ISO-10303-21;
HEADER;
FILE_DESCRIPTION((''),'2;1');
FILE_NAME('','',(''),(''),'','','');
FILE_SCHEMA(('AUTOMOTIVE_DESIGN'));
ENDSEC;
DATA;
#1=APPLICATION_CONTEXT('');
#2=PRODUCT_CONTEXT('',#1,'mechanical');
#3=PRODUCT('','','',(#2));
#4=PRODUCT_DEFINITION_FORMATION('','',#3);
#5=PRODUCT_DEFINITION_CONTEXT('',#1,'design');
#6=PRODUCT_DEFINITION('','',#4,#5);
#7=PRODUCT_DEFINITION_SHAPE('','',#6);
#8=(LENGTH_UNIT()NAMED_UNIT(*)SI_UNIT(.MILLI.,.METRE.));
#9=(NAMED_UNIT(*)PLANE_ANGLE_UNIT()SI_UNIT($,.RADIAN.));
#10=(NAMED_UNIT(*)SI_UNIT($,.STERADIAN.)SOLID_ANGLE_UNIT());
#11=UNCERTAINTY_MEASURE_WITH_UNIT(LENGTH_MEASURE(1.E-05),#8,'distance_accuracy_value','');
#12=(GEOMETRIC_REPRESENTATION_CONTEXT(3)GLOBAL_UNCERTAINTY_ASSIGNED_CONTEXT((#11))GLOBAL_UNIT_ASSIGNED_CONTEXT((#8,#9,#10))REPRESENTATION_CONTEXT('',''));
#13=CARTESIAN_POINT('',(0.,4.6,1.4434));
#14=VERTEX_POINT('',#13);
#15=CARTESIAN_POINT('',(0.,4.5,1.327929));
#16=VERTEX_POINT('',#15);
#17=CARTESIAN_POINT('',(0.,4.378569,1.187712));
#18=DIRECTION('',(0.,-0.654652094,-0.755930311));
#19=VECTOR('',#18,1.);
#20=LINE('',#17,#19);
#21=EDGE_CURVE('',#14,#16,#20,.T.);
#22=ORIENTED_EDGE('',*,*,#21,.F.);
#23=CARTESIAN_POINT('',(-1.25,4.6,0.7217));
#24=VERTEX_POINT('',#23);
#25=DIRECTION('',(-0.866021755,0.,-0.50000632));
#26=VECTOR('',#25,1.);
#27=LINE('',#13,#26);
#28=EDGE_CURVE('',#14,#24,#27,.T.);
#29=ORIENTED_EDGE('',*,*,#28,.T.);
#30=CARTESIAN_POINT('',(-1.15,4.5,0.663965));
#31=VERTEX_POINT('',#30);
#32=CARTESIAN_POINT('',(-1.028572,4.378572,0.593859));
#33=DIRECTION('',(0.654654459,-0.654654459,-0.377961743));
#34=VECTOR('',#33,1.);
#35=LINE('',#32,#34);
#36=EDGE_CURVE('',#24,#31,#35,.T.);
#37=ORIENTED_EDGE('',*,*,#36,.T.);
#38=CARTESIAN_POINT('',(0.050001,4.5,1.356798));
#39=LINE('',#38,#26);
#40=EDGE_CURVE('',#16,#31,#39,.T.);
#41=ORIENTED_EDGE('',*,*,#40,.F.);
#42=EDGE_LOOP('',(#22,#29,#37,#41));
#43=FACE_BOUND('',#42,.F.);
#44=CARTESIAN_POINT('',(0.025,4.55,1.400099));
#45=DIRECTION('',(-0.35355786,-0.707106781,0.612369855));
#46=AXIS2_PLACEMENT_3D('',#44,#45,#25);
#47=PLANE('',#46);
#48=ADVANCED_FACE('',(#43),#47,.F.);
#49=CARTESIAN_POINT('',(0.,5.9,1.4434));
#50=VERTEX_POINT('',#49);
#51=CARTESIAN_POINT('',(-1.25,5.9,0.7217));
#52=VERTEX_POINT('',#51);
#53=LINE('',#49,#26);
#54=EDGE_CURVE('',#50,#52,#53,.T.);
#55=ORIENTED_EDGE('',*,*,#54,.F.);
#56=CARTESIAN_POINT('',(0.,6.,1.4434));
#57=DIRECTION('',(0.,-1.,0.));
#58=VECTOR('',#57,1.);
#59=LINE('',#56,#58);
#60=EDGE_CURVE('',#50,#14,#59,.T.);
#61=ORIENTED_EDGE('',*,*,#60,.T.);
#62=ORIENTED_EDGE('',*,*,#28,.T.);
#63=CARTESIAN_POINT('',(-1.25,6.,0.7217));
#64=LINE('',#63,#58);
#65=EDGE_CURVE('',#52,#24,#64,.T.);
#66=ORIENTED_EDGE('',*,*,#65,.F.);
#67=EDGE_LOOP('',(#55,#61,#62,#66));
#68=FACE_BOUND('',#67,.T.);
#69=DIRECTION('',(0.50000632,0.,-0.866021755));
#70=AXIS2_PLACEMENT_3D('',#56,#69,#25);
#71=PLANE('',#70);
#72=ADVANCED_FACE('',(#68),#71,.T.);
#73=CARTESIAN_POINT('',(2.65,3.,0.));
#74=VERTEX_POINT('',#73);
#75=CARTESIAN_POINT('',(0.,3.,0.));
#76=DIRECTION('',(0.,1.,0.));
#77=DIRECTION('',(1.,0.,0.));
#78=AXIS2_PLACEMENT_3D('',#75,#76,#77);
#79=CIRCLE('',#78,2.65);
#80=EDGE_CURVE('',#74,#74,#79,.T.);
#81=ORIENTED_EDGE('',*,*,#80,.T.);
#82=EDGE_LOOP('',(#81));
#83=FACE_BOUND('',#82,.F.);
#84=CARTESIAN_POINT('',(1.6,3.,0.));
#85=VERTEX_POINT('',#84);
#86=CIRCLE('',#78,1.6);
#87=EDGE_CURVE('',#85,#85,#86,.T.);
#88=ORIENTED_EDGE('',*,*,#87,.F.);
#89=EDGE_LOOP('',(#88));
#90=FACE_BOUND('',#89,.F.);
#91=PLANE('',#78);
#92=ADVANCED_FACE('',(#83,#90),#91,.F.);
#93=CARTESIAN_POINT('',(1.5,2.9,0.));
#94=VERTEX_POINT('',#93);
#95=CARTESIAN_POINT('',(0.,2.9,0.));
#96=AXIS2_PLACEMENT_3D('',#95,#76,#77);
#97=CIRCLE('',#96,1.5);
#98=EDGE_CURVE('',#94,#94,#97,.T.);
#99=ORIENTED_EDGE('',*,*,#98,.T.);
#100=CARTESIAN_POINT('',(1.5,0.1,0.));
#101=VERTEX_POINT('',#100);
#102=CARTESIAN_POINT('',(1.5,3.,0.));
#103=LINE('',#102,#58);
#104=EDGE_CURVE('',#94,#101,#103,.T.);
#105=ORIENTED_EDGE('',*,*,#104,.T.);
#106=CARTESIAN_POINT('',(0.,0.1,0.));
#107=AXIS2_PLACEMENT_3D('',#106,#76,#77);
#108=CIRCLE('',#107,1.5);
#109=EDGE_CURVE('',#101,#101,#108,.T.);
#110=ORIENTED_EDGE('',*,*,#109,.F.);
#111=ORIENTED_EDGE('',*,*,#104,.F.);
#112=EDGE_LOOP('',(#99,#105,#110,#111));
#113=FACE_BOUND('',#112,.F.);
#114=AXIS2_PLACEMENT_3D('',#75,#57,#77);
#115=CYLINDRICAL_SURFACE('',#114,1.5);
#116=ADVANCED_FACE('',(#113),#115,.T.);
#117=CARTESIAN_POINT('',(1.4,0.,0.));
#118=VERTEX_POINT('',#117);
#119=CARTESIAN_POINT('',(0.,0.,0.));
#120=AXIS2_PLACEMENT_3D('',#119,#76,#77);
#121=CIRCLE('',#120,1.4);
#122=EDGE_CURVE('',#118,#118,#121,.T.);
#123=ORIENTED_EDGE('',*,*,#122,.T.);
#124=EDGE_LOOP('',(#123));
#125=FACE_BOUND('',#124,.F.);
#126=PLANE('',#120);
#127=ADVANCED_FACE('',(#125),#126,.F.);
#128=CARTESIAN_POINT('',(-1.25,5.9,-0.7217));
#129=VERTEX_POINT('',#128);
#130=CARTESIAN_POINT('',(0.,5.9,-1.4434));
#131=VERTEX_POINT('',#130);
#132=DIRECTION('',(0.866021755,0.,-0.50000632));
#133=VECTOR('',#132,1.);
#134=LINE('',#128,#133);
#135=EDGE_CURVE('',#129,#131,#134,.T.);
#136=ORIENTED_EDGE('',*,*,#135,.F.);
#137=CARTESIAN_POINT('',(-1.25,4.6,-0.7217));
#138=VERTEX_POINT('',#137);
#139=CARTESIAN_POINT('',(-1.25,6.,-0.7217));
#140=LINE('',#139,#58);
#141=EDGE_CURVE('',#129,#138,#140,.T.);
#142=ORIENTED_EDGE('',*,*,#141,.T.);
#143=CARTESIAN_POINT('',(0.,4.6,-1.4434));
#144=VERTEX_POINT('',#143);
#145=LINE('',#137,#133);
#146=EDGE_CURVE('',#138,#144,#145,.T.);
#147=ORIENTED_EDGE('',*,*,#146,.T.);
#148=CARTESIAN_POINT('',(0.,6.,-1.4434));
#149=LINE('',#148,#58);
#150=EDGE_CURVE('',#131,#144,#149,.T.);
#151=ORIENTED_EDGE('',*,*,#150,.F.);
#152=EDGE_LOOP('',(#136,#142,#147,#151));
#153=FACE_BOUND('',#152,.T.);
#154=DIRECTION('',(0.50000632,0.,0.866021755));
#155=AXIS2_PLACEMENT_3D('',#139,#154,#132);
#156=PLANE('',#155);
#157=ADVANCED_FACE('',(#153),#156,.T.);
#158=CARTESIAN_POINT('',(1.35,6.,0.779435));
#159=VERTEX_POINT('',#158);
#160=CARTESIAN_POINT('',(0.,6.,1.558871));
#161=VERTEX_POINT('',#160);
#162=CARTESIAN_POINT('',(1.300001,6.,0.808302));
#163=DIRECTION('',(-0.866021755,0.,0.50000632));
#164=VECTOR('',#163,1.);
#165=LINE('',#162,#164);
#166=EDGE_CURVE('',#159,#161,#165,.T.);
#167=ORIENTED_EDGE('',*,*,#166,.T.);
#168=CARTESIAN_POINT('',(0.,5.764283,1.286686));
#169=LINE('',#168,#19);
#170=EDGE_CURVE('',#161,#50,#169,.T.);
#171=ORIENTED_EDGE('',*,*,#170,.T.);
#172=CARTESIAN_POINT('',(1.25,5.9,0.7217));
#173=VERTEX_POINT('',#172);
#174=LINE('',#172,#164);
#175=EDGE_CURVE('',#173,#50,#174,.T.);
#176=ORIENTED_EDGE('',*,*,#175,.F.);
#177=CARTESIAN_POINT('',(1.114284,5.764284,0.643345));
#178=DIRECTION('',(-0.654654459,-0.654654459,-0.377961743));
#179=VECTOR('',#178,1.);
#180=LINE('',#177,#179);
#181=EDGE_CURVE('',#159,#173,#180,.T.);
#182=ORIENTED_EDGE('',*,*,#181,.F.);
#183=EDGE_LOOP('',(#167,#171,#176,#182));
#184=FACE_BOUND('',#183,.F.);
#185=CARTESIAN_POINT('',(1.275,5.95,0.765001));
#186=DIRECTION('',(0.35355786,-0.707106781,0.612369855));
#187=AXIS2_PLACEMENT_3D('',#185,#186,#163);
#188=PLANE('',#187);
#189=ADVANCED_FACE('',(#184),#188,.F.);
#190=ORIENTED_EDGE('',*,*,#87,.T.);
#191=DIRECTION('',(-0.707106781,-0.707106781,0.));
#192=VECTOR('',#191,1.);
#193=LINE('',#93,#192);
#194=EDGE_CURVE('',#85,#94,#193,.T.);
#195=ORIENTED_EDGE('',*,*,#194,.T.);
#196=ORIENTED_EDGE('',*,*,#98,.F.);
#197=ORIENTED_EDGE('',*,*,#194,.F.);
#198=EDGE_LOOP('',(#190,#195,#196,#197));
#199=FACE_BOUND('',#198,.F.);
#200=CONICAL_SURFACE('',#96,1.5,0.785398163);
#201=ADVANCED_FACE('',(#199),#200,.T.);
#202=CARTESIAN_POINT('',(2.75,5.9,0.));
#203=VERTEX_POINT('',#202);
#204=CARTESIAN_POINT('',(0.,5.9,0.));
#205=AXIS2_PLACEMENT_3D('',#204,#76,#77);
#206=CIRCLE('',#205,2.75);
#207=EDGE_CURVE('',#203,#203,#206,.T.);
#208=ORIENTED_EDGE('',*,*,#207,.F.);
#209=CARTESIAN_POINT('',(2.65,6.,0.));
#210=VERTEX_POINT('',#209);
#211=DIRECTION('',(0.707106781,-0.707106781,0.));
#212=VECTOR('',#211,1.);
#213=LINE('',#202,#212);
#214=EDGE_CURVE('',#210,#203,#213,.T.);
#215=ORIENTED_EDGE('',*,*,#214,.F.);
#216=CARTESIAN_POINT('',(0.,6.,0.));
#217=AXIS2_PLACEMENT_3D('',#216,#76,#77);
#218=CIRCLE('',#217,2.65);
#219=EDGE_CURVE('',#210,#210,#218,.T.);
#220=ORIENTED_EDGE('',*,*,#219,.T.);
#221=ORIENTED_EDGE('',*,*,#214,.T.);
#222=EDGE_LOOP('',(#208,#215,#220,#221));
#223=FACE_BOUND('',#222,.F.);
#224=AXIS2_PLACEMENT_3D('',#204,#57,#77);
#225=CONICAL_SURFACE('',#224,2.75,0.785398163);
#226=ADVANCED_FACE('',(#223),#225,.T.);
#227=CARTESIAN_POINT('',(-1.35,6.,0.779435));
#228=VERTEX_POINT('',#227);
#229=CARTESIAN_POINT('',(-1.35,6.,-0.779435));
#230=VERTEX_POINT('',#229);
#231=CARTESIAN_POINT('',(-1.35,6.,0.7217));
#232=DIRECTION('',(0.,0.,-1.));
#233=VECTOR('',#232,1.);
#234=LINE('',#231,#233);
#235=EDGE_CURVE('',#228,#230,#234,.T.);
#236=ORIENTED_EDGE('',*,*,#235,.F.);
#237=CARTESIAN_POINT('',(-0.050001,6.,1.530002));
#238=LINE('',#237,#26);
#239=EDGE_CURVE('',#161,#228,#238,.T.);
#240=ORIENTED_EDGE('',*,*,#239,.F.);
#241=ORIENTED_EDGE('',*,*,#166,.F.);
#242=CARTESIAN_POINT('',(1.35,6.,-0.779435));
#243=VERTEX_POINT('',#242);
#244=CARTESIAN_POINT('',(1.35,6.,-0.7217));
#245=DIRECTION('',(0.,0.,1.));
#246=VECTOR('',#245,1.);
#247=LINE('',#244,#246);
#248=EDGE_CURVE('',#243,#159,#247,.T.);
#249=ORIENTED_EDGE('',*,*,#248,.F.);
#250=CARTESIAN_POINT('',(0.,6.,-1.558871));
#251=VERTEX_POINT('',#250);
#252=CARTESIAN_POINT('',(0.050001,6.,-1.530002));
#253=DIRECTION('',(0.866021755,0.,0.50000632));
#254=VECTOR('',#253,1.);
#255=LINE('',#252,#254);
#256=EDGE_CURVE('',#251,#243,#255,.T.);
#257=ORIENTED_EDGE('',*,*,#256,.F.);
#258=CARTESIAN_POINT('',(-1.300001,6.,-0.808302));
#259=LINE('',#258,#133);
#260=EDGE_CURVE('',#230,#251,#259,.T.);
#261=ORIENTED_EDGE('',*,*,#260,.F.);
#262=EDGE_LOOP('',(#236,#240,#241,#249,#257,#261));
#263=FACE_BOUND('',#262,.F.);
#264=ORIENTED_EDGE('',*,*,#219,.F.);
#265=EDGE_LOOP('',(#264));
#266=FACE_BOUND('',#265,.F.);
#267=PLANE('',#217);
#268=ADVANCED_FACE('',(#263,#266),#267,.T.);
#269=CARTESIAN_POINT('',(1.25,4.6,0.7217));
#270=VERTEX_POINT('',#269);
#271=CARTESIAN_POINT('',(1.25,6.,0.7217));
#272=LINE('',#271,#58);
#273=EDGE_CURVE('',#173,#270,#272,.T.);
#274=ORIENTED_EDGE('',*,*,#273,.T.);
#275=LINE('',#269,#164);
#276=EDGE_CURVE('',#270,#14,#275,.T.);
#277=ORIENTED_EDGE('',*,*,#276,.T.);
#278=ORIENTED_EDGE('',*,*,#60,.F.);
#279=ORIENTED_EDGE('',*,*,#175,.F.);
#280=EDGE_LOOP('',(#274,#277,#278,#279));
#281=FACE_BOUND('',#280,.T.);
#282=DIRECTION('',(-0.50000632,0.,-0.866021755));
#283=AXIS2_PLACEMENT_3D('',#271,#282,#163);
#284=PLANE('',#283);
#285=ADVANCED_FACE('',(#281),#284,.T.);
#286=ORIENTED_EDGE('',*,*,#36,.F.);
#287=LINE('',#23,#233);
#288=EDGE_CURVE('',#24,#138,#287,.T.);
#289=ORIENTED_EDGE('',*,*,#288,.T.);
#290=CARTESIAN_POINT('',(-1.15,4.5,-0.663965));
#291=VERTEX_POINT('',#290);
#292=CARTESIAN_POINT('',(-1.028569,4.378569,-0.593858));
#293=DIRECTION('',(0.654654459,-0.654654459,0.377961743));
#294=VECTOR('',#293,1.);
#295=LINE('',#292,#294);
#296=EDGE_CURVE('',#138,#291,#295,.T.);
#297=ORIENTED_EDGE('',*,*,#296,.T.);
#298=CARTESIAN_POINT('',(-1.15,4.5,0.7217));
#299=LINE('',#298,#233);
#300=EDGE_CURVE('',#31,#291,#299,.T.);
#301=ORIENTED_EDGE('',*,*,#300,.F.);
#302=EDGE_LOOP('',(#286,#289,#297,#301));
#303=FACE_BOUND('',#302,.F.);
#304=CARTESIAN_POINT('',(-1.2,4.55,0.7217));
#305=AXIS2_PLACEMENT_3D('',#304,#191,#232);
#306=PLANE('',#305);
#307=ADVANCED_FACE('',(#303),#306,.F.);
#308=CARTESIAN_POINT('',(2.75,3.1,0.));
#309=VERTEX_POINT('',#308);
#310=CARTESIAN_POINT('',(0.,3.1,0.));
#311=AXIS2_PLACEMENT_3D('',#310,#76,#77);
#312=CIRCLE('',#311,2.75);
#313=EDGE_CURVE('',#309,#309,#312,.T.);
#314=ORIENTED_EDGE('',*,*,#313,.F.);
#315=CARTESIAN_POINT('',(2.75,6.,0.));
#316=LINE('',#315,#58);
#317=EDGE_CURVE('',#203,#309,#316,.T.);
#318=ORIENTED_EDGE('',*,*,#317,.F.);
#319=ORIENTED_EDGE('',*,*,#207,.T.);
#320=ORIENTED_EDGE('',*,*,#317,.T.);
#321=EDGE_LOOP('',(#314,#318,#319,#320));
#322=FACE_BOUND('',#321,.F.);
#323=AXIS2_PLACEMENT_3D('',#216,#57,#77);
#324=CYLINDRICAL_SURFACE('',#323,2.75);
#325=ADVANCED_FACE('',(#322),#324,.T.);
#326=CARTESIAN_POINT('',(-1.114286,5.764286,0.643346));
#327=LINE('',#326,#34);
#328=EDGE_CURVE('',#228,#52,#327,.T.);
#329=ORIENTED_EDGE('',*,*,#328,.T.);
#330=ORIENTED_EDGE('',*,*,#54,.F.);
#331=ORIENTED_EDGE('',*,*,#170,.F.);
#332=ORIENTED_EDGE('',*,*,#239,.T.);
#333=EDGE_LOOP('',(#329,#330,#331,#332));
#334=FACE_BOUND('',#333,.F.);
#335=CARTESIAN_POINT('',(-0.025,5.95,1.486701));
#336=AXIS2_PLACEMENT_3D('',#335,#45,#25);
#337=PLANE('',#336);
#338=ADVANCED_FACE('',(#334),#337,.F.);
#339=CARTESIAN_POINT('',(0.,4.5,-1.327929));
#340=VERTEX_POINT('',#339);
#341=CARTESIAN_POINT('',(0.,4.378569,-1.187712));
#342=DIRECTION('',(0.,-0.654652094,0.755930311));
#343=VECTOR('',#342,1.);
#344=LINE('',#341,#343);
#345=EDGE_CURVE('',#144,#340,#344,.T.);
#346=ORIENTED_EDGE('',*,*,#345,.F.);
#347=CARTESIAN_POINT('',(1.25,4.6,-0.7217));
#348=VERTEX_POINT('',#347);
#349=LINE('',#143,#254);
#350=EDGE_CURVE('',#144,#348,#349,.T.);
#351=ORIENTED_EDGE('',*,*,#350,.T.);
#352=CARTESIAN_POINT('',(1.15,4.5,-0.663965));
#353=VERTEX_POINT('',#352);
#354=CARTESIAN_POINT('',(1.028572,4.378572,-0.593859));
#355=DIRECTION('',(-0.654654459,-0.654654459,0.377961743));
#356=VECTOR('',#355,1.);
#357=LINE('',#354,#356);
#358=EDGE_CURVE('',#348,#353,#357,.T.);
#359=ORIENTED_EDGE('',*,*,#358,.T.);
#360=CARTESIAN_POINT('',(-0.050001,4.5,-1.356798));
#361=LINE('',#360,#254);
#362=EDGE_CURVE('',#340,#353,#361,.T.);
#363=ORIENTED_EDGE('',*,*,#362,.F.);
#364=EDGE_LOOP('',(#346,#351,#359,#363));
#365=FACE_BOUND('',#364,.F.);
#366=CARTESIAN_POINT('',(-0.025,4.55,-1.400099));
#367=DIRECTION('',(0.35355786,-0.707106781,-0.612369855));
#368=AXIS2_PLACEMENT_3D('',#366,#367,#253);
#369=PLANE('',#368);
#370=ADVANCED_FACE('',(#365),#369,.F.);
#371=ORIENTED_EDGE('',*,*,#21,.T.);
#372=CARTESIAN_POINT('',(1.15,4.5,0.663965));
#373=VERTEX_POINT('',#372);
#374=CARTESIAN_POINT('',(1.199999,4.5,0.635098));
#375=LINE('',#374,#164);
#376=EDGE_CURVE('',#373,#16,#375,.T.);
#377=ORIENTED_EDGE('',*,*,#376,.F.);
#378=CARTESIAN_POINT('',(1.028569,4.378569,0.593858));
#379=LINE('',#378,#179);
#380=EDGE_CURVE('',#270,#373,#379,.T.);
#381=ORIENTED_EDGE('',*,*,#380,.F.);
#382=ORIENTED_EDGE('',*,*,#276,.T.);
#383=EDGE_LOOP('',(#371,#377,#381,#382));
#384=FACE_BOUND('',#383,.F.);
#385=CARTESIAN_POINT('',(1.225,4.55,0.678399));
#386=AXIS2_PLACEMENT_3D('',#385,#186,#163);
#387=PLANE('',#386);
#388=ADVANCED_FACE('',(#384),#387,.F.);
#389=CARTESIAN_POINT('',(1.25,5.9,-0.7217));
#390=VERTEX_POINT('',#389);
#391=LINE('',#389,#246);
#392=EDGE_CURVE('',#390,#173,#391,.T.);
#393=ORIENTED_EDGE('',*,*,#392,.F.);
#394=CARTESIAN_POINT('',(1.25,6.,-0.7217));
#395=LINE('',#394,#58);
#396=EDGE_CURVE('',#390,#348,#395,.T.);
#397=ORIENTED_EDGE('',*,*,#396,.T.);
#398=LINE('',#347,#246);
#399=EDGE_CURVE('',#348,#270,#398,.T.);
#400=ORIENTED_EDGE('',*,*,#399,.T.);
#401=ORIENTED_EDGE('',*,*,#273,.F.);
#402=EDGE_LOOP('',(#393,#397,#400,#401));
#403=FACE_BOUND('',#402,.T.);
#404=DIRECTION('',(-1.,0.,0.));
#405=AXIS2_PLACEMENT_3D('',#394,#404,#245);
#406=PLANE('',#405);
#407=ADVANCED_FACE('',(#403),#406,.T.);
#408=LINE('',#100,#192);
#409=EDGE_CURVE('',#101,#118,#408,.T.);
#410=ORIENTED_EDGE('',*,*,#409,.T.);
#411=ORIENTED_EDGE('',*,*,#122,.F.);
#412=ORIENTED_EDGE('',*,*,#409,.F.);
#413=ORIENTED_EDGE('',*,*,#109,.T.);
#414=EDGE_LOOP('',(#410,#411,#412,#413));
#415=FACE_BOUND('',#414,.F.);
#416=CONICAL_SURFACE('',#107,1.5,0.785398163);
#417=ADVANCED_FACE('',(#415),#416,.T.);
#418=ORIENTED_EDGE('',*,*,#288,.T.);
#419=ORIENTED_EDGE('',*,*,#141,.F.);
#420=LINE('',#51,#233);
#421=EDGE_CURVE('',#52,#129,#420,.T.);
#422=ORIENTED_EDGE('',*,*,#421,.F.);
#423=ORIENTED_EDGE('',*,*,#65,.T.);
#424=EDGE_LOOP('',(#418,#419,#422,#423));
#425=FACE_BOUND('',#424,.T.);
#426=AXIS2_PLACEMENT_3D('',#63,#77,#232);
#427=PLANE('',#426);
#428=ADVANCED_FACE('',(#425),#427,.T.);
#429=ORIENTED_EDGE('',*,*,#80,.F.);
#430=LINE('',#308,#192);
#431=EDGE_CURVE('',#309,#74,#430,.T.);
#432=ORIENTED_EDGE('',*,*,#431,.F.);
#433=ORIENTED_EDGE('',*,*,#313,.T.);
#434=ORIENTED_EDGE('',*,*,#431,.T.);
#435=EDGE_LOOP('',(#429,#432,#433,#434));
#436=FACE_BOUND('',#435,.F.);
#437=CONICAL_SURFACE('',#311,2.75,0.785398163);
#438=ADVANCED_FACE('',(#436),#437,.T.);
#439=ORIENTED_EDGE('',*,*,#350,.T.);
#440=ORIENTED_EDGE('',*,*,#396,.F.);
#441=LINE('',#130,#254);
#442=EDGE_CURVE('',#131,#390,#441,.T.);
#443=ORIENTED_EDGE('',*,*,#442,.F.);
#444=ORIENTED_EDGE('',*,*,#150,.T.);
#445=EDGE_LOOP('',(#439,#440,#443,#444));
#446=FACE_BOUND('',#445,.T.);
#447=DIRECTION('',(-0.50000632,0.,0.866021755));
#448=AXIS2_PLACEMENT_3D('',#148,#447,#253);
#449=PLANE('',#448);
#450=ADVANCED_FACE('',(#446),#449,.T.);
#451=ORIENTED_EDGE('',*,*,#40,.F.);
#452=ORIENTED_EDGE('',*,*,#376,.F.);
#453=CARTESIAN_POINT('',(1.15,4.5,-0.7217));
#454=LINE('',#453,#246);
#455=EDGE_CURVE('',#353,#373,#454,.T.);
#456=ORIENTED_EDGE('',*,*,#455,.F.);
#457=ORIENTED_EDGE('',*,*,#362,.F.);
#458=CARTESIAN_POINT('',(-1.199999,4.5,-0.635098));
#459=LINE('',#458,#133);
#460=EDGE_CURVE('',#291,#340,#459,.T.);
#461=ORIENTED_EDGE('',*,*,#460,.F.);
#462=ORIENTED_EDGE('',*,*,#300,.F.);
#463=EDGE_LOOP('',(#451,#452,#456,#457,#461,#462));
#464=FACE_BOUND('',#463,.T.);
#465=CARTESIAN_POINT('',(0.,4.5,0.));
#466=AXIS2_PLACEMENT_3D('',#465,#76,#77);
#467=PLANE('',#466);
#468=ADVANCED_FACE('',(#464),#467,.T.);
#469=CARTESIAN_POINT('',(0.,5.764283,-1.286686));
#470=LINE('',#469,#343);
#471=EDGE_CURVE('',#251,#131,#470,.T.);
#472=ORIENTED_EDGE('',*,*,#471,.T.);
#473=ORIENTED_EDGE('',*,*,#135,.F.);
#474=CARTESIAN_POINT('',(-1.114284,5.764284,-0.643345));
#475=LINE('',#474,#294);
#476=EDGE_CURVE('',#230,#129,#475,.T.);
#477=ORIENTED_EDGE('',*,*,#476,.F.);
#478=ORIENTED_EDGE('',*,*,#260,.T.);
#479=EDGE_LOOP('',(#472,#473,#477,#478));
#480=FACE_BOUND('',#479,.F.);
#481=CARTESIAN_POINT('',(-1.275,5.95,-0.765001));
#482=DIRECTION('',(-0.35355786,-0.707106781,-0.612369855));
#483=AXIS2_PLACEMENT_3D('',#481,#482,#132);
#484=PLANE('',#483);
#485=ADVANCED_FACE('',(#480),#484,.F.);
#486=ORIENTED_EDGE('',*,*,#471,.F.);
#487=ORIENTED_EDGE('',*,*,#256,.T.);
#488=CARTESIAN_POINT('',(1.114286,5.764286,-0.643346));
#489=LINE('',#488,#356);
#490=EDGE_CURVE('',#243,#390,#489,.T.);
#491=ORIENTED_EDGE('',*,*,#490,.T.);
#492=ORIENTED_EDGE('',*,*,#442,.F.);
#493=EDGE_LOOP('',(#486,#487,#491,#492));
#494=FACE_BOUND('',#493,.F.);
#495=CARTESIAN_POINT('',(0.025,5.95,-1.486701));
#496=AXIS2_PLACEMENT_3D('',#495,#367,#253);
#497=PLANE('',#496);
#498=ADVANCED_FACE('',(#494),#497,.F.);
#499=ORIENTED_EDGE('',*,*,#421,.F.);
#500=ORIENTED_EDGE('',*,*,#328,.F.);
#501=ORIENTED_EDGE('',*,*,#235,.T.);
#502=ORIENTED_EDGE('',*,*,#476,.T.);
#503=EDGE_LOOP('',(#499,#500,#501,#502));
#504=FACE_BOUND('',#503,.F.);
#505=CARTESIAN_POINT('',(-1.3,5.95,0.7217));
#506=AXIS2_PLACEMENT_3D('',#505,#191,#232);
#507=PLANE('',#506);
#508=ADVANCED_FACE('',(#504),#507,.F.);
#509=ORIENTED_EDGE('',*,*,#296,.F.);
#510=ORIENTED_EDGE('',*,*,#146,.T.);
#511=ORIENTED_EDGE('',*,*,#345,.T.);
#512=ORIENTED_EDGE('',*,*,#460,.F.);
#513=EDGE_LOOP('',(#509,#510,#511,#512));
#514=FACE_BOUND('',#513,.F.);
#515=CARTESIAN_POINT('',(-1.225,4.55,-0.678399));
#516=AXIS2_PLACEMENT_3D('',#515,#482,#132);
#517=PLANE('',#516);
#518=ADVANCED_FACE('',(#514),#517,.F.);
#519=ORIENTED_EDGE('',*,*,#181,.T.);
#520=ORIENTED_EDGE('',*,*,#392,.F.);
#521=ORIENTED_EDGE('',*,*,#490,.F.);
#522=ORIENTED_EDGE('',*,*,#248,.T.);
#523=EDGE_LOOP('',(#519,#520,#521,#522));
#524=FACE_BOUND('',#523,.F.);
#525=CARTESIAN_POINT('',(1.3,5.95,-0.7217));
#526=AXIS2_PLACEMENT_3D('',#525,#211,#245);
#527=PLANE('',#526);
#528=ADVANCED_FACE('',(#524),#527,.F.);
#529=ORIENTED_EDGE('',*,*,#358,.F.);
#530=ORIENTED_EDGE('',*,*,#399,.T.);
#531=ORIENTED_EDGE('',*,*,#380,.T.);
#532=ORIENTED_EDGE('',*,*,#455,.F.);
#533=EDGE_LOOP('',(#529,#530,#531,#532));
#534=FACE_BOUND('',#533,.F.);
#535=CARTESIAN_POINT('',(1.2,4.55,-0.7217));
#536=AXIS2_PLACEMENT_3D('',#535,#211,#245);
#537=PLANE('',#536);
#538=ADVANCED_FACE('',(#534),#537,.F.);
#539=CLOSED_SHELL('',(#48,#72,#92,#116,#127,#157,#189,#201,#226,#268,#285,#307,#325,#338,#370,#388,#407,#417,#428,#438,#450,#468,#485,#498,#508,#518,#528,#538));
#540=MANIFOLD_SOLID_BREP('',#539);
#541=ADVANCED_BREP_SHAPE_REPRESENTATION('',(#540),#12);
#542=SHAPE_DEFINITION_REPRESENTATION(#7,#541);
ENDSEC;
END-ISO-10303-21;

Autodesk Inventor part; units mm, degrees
ref_plane "YZ Plane" through (0, 0, 0) normal (1, 0, 0) x (0, 1, 0)
ref_plane "XZ Plane" through (0, 0, 0) normal (0, 1, 0) x (-1, 0, 0)
ref_plane "XY Plane" through (0, 0, 0) normal (0, 0, 1) x (1, 0, 0)
sketch "Sketch1" plane through (0, 0, 0) normal (0, 0, 1) x (1, 0, 0)
  line L0 (0, 6) -> (2.75, 6)
  line L1 (2.75, 6) -> (2.75, 3)
  line L2 (2.75, 3) -> (1.5, 3)
  line L3 (1.5, 3) -> (1.5, 0)
  line L4 (1.5, 0) -> (0, 0)
  line L5 (0, 0) -> (0, 6)
  dimension "d0" = 2.75
  dimension "d1" = 3
  dimension "d2" = 3
  dimension "d3" = 1.5
revolve "Revolution1" add sketch "Sketch1" angle 360 about axis through (0, 0, 0) along (0, 1, 0)
thread "Thread1" size "M3x0.5" class "6g" standard "ANSI Metric M Profile" full length
sketch "Sketch3" plane through (0, 6, 0) normal (0, 1, 0) x (1, 0, 0)
  line L0 (1.25, -0.7217) -> (0, -1.4434)
  line L1 (0, -1.4434) -> (-1.25, -0.7217)
  line L2 (-1.25, -0.7217) -> (-1.25, 0.7217)
  line L3 (-1.25, 0.7217) -> (0, 1.4434)
  line L4 (0, 1.4434) -> (1.25, 0.7217)
  line L5 (1.25, 0.7217) -> (1.25, -0.7217)
  point P0 (0, 0)
  point P1 (0, 0)
  dimension "d13" = 2.5
extrude "Extrusion2" cut sketch "Sketch3" against normal blind 1.5
chamfer "Chamfer2" distance 0.1 angle 45 16 edges at (0.625, 6, 1.0825) (1.25, 6, 0) (1.25, 4.5, 0) (0.625, 6, -1.0825) (0.625, 4.5, -1.0825) (-0.625, 6, -1.0825) (-0.625, 4.5, -1.0825) (-1.25, 4.5, 0) (-1.25, 6, 0) (-0.625, 4.5, 1.0825) (-0.625, 6, 1.0825) (0.625, 4.5, 1.0825) (-2.75, 6, 0) (-2.75, 3, 0) (-1.5, 3, 0) (-1.5, 0, 0)
properties part number "M3 X 3"
